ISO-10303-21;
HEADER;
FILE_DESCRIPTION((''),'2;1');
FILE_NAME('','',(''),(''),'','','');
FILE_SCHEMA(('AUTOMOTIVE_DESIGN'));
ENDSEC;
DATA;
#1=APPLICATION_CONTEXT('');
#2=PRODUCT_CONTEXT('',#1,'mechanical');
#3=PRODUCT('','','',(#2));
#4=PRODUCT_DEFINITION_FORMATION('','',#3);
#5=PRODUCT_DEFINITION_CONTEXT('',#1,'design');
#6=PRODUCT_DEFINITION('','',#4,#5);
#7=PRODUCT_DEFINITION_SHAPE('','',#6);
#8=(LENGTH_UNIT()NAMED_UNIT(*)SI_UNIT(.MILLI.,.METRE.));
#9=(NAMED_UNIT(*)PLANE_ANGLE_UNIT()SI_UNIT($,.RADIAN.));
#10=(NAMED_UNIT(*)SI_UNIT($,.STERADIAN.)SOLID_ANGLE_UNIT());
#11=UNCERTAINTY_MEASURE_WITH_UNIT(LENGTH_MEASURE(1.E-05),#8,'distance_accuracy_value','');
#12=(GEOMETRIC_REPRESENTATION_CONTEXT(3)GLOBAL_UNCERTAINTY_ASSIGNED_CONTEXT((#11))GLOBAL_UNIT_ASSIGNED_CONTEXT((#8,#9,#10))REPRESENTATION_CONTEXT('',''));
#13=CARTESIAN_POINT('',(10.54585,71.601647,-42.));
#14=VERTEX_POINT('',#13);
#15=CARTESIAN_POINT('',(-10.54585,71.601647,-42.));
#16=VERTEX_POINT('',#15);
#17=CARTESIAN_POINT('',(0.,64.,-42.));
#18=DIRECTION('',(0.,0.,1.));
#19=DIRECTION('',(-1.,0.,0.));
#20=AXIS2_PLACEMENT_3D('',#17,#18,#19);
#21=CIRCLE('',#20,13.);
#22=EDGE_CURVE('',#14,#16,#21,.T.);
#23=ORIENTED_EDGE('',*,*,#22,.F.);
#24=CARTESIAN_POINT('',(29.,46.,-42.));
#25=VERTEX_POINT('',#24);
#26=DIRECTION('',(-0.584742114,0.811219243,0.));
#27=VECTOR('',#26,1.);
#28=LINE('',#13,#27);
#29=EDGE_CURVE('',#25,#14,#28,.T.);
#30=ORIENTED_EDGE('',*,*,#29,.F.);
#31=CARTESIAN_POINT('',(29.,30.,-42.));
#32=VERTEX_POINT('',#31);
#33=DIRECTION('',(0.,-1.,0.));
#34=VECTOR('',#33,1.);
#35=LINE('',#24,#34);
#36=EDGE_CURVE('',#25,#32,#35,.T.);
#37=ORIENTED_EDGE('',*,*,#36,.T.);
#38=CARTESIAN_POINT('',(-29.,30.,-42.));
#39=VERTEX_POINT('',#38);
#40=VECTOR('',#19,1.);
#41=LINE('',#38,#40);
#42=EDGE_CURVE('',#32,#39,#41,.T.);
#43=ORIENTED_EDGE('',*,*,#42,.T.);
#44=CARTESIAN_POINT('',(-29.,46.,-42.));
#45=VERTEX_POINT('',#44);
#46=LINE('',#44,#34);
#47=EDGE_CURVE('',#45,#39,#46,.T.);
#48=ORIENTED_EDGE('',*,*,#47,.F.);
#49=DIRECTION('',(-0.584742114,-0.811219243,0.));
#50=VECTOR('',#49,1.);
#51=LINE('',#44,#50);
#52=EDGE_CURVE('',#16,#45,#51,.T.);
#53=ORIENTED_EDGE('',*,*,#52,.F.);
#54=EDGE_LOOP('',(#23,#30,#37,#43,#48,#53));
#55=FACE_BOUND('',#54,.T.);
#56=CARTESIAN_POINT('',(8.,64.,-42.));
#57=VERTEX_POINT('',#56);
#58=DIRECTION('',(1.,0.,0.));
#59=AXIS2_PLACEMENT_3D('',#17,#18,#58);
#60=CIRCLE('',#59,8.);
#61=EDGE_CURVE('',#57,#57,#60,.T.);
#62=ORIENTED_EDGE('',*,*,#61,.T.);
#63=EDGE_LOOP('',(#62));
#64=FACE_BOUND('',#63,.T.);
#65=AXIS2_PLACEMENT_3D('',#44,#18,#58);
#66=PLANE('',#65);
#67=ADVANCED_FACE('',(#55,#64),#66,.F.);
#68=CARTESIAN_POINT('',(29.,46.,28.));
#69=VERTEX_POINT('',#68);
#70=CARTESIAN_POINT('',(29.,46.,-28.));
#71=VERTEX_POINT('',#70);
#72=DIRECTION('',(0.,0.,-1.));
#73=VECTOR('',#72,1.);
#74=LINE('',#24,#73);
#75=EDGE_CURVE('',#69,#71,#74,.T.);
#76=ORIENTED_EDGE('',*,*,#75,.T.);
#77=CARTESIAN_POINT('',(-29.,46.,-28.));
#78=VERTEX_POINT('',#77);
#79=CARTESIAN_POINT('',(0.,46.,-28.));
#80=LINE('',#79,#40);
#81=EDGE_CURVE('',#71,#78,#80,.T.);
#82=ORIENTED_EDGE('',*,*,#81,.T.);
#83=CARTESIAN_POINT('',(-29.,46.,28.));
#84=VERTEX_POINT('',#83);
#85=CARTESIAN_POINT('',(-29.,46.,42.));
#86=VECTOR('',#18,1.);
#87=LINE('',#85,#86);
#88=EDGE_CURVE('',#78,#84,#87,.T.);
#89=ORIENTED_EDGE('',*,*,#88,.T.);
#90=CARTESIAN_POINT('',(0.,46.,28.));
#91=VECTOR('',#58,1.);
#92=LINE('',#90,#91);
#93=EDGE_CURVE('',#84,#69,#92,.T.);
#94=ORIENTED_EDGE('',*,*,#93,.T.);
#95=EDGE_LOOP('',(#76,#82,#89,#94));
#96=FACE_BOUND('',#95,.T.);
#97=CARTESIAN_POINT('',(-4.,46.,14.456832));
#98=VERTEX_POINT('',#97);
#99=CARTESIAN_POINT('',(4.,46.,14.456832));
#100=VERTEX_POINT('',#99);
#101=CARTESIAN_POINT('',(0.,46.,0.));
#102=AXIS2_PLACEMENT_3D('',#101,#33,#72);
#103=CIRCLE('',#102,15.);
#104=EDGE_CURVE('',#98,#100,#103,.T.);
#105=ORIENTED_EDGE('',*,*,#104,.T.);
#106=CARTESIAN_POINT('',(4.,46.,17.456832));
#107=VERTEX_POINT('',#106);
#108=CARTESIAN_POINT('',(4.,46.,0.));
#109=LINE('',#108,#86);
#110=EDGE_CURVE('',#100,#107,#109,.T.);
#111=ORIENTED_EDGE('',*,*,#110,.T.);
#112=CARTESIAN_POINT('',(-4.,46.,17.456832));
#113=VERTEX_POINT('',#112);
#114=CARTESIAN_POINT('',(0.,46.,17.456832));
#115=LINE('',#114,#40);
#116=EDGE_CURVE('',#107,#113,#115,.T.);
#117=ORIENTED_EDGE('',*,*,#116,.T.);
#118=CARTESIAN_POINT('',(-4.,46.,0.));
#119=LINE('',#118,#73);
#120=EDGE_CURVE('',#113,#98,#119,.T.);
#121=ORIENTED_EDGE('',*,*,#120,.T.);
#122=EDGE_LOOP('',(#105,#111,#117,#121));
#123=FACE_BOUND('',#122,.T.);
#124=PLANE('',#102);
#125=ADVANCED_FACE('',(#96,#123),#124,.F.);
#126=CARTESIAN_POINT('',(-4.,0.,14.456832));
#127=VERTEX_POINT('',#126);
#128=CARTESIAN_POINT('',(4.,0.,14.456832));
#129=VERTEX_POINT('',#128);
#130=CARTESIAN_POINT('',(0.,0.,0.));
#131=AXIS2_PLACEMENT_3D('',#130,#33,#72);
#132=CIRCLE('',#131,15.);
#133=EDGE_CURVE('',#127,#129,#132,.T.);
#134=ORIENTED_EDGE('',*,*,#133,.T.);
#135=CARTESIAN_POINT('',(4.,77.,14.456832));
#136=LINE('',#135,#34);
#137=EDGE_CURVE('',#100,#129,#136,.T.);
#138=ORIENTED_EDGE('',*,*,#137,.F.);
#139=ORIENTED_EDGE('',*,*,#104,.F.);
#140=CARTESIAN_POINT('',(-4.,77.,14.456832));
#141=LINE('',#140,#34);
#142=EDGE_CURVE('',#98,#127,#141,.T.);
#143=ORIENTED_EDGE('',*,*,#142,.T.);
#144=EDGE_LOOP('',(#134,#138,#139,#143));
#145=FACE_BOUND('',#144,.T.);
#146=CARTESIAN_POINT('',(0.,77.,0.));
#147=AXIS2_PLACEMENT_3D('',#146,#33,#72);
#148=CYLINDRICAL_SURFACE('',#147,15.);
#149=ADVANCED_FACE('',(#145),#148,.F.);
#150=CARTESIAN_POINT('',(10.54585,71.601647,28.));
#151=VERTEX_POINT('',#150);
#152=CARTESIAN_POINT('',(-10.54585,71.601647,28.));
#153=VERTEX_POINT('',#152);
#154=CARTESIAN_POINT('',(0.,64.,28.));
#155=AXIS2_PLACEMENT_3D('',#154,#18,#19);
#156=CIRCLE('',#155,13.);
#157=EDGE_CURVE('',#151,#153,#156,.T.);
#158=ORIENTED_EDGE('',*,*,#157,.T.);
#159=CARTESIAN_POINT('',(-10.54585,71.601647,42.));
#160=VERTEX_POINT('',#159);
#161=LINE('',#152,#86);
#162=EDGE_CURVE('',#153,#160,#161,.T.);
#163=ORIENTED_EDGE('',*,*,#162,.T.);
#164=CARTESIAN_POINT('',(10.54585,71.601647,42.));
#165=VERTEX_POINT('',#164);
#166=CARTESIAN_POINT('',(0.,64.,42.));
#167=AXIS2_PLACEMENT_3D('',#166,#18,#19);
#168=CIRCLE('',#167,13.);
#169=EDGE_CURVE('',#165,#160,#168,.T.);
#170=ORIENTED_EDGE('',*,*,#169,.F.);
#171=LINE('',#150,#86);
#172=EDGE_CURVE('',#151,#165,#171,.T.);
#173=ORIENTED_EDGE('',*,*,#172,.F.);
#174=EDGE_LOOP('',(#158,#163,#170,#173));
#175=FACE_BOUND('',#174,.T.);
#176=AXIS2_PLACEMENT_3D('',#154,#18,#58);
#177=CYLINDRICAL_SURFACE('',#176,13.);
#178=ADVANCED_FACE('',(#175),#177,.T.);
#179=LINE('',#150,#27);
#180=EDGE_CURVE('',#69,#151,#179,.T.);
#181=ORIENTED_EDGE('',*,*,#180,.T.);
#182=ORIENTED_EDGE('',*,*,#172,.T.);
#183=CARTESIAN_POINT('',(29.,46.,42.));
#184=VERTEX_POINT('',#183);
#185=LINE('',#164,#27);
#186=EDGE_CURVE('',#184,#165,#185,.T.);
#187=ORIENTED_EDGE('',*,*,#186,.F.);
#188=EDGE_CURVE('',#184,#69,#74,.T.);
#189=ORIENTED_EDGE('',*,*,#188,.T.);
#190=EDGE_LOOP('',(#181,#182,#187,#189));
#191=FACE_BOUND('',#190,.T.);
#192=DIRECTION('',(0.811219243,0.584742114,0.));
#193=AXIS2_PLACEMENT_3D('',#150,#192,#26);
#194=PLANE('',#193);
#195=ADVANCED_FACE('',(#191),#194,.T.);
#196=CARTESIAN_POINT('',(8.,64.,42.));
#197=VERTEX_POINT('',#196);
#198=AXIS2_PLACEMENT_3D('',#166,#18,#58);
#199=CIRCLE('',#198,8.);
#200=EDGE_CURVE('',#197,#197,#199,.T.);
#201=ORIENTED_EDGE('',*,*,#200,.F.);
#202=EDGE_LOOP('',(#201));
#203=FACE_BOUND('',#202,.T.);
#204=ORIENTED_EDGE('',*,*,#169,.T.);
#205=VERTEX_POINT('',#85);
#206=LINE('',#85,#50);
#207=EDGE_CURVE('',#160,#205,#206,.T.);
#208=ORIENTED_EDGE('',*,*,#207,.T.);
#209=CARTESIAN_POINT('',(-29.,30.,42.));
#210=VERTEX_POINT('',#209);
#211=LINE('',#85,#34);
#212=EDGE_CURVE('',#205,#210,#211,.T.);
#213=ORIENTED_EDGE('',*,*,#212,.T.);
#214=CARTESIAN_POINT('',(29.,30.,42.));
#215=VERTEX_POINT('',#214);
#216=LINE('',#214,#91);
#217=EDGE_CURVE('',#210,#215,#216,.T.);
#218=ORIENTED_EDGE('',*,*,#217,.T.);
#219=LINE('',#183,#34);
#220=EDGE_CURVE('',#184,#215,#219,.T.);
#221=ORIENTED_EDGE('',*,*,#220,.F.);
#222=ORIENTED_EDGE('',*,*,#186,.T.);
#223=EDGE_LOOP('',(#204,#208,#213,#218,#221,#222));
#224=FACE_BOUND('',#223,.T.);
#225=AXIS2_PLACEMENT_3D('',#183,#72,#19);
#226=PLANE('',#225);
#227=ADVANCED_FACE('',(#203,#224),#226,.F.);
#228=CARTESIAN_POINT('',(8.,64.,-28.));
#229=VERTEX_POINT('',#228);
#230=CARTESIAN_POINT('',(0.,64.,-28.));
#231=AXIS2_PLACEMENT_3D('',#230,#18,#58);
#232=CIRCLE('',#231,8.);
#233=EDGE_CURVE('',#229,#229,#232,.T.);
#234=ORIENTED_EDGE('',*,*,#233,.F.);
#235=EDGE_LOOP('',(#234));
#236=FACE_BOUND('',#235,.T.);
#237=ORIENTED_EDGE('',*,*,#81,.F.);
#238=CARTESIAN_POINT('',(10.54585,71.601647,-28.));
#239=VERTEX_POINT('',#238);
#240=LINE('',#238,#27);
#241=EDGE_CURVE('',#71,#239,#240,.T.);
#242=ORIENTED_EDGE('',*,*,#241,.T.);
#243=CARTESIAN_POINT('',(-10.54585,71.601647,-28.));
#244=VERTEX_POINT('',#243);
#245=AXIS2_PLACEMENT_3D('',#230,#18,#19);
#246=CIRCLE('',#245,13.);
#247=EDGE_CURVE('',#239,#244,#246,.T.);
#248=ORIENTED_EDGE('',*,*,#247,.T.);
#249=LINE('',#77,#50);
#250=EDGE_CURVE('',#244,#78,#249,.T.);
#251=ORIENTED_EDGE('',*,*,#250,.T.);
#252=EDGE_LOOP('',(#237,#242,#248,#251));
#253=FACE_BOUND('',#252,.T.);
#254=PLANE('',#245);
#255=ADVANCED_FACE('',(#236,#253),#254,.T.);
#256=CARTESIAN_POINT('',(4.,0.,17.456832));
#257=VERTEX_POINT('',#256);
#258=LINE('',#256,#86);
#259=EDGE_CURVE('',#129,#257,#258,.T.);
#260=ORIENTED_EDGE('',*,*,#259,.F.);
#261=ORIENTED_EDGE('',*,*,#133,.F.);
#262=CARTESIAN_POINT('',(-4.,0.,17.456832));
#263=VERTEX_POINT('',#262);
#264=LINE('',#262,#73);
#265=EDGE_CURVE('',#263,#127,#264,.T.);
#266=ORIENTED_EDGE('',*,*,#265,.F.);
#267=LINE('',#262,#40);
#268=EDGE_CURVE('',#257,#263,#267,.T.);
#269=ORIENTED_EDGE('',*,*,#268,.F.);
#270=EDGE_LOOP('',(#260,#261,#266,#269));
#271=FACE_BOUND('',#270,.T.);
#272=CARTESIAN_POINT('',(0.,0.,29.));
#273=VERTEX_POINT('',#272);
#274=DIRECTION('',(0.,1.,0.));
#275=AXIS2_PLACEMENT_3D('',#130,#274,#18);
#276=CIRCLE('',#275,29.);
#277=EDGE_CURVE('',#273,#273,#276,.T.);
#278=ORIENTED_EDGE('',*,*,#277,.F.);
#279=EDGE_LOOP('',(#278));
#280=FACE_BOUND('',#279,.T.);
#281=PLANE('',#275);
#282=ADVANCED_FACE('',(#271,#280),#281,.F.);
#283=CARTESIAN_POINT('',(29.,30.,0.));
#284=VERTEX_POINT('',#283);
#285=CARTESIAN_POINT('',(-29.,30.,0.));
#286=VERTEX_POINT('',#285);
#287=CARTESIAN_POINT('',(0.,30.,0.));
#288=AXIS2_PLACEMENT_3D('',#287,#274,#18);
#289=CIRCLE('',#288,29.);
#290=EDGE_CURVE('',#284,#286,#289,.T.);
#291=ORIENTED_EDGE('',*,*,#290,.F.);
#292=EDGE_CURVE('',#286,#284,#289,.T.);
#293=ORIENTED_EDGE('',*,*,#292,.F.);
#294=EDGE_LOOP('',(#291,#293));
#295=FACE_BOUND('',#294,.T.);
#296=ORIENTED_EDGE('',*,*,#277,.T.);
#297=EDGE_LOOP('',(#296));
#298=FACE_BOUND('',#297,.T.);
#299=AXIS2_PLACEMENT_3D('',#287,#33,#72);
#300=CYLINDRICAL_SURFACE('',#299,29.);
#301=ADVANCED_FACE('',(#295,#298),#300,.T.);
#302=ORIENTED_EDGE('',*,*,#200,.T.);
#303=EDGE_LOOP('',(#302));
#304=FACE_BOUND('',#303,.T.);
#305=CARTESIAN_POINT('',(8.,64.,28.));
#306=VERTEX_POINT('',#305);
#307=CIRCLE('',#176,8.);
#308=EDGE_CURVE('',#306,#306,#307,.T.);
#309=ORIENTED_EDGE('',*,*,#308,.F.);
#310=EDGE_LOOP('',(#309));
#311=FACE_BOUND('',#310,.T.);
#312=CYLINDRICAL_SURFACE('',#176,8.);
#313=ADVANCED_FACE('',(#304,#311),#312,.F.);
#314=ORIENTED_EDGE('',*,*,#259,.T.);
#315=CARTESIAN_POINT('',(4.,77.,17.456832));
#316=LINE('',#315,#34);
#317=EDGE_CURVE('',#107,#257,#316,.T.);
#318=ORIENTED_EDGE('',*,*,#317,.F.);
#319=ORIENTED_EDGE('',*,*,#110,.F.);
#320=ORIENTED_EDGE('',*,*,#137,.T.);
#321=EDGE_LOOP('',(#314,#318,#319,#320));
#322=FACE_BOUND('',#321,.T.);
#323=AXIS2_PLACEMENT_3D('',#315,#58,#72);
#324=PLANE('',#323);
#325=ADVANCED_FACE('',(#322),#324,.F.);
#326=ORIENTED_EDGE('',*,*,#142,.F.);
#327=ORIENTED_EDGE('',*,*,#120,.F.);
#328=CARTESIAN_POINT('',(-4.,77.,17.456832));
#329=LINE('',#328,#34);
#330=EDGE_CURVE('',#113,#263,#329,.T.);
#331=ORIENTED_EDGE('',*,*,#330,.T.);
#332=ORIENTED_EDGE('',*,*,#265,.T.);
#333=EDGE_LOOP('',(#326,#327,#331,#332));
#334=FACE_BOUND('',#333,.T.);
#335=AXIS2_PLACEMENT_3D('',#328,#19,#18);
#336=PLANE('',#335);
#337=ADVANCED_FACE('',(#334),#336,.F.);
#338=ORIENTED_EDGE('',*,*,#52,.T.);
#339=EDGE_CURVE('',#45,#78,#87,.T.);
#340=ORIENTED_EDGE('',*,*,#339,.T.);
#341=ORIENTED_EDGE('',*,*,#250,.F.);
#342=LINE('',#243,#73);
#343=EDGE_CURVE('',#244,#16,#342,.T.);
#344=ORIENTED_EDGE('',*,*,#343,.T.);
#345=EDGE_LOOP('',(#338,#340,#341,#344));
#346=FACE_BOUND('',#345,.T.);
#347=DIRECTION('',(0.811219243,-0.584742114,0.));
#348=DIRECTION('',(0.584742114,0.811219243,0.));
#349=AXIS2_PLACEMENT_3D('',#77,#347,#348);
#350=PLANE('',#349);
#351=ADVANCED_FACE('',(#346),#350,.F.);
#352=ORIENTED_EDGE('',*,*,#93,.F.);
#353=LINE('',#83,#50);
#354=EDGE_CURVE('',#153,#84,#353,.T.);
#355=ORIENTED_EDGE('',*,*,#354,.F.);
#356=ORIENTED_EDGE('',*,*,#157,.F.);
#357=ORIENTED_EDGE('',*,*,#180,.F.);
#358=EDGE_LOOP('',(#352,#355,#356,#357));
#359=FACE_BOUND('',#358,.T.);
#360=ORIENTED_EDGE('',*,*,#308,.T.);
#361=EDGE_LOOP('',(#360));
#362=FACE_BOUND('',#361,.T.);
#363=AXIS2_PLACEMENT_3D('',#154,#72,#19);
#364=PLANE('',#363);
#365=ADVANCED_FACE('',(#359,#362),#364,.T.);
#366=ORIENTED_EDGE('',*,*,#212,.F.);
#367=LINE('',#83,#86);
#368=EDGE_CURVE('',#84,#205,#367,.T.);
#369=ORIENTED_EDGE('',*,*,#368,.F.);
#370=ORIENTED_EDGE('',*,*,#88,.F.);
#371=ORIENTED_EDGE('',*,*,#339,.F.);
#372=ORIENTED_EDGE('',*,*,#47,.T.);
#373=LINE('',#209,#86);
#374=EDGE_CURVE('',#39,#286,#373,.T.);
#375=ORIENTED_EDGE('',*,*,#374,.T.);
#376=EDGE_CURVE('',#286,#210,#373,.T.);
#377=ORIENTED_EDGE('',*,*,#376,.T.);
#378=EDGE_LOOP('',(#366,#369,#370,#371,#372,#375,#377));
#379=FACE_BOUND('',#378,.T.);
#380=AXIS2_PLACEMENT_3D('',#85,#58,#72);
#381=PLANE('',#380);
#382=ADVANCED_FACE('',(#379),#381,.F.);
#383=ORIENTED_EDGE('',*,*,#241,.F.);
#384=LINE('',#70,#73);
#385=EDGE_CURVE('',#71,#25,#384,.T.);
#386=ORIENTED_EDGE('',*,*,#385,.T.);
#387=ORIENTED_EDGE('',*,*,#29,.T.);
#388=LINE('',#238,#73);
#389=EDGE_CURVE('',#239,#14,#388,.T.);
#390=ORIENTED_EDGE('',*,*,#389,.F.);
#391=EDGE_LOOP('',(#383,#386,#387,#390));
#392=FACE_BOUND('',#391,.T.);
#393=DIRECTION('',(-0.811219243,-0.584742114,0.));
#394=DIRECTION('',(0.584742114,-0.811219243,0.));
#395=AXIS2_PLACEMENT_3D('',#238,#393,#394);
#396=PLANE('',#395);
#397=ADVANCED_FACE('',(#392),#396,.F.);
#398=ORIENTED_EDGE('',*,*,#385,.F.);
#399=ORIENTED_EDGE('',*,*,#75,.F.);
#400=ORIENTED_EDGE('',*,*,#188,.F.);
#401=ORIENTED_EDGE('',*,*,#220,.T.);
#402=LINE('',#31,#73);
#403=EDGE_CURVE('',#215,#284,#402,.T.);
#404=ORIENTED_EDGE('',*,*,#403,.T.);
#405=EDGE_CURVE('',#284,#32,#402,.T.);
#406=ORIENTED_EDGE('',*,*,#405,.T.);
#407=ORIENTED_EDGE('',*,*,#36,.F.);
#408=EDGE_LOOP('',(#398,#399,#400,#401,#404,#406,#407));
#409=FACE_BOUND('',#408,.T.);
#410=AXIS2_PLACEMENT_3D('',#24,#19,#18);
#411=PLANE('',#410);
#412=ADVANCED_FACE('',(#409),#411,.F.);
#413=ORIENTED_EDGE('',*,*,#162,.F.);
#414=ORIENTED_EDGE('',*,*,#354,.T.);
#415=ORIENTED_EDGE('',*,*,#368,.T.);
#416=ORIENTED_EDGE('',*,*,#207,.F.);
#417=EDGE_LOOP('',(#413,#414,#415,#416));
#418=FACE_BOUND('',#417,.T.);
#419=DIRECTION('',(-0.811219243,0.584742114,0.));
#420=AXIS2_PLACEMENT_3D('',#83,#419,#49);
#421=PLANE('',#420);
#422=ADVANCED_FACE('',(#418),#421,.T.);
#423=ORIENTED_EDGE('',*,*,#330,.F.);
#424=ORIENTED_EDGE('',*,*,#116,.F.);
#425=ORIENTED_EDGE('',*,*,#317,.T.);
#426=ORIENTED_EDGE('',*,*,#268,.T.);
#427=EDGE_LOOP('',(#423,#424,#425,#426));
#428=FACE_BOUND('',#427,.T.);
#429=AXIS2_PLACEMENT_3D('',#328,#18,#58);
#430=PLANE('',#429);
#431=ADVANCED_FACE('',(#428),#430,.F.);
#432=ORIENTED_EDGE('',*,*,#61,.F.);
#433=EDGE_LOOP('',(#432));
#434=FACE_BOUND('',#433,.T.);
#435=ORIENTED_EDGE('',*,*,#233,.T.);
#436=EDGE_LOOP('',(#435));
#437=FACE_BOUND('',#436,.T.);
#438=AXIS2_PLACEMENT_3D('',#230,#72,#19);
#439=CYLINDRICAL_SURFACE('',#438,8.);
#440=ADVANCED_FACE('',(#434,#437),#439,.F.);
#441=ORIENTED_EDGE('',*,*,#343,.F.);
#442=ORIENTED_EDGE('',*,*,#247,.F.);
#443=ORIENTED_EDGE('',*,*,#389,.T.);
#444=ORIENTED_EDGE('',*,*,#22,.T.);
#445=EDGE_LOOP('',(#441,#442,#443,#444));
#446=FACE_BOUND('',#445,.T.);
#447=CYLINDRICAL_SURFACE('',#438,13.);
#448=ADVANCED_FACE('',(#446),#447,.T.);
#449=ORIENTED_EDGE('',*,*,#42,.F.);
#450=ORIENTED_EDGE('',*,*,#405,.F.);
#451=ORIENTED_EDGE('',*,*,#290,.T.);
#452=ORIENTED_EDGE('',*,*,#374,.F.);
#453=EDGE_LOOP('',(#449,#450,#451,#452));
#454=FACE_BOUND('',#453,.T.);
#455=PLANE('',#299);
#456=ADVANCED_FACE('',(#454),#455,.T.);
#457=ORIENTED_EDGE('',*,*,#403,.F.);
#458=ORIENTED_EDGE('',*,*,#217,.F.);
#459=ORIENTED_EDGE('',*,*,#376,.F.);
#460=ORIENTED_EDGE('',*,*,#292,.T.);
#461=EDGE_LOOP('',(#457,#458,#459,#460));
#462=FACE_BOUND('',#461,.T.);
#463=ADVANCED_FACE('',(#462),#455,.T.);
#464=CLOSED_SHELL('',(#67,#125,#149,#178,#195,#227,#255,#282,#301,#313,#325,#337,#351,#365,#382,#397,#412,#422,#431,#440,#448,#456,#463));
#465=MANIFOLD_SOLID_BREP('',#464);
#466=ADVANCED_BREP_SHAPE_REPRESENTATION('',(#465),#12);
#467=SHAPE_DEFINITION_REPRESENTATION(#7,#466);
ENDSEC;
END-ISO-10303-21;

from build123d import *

# Parameters (mm, degrees)
SKETCH1_R           = 29
BOSS_EXTRUDE1_DEPTH = 30
SKETCH3_W           = 58
SKETCH3_H           = 84
BOSS_EXTRUDE2_DEPTH = 16
SKETCH4_R           = 8
EXTRUDE_Q_DEPTH     = 14
CUT_EXTRUDE1_DEPTH  = 93.379651439


with BuildPart() as part:
    # Sketch1 → Boss-Extrude1 (new body)
    with BuildSketch(Plane(origin=(0, 0, 0), x_dir=(-1, 0, 0), z_dir=(0, 1, 0))):
        with Locations(Location((0, 0, 0), (0, 0, 90))):
            Circle(SKETCH1_R)
    extrude(amount=BOSS_EXTRUDE1_DEPTH)

    # Sketch3 → Boss-Extrude2 (add)
    with BuildSketch(Plane(origin=(0, 30, 0), x_dir=(-1, 0, 0), z_dir=(0, 1, 0))):
        Rectangle(SKETCH3_W, SKETCH3_H)
    extrude(amount=BOSS_EXTRUDE2_DEPTH)

    # Sketch4 → Extrude q (add)
    with BuildSketch(Plane.XY.offset(42)):
        with BuildLine():
            Line((-29, 30), (-29, 46))
            Line((-29, 46), (-10.54585016, 71.60164748))
            ThreePointArc((-10.54585016, 71.60164748), (0, 77), (10.54585016, 71.60164748))
            Line((10.54585016, 71.60164748), (29, 46))
            Line((29, 46), (29, 30))
            Line((29, 30), (-29, 30))
        make_face()
        with Locations((0, 64)):
            Circle(SKETCH4_R, mode=Mode.SUBTRACT)
    extrude_q = extrude(amount=-EXTRUDE_Q_DEPTH)

    # Mirror1: Extrude q across plane
    add(extrude_q.mirror(Plane.XY))

    # Sketch5 → Cut-Extrude1 (cut, through all)
    with BuildSketch(Plane.XZ):
        with BuildLine():
            Line((-4, 17.456832295), (4, 17.456832295))
            Line((4, 17.456832295), (4, 14.456832295))
            ThreePointArc((4, 14.456832295), (0, -15), (-4, 14.456832295))
            Line((-4, 14.456832295), (-4, 17.456832295))
        make_face()
    extrude(amount=-CUT_EXTRUDE1_DEPTH, mode=Mode.SUBTRACT)


solid = part.part
